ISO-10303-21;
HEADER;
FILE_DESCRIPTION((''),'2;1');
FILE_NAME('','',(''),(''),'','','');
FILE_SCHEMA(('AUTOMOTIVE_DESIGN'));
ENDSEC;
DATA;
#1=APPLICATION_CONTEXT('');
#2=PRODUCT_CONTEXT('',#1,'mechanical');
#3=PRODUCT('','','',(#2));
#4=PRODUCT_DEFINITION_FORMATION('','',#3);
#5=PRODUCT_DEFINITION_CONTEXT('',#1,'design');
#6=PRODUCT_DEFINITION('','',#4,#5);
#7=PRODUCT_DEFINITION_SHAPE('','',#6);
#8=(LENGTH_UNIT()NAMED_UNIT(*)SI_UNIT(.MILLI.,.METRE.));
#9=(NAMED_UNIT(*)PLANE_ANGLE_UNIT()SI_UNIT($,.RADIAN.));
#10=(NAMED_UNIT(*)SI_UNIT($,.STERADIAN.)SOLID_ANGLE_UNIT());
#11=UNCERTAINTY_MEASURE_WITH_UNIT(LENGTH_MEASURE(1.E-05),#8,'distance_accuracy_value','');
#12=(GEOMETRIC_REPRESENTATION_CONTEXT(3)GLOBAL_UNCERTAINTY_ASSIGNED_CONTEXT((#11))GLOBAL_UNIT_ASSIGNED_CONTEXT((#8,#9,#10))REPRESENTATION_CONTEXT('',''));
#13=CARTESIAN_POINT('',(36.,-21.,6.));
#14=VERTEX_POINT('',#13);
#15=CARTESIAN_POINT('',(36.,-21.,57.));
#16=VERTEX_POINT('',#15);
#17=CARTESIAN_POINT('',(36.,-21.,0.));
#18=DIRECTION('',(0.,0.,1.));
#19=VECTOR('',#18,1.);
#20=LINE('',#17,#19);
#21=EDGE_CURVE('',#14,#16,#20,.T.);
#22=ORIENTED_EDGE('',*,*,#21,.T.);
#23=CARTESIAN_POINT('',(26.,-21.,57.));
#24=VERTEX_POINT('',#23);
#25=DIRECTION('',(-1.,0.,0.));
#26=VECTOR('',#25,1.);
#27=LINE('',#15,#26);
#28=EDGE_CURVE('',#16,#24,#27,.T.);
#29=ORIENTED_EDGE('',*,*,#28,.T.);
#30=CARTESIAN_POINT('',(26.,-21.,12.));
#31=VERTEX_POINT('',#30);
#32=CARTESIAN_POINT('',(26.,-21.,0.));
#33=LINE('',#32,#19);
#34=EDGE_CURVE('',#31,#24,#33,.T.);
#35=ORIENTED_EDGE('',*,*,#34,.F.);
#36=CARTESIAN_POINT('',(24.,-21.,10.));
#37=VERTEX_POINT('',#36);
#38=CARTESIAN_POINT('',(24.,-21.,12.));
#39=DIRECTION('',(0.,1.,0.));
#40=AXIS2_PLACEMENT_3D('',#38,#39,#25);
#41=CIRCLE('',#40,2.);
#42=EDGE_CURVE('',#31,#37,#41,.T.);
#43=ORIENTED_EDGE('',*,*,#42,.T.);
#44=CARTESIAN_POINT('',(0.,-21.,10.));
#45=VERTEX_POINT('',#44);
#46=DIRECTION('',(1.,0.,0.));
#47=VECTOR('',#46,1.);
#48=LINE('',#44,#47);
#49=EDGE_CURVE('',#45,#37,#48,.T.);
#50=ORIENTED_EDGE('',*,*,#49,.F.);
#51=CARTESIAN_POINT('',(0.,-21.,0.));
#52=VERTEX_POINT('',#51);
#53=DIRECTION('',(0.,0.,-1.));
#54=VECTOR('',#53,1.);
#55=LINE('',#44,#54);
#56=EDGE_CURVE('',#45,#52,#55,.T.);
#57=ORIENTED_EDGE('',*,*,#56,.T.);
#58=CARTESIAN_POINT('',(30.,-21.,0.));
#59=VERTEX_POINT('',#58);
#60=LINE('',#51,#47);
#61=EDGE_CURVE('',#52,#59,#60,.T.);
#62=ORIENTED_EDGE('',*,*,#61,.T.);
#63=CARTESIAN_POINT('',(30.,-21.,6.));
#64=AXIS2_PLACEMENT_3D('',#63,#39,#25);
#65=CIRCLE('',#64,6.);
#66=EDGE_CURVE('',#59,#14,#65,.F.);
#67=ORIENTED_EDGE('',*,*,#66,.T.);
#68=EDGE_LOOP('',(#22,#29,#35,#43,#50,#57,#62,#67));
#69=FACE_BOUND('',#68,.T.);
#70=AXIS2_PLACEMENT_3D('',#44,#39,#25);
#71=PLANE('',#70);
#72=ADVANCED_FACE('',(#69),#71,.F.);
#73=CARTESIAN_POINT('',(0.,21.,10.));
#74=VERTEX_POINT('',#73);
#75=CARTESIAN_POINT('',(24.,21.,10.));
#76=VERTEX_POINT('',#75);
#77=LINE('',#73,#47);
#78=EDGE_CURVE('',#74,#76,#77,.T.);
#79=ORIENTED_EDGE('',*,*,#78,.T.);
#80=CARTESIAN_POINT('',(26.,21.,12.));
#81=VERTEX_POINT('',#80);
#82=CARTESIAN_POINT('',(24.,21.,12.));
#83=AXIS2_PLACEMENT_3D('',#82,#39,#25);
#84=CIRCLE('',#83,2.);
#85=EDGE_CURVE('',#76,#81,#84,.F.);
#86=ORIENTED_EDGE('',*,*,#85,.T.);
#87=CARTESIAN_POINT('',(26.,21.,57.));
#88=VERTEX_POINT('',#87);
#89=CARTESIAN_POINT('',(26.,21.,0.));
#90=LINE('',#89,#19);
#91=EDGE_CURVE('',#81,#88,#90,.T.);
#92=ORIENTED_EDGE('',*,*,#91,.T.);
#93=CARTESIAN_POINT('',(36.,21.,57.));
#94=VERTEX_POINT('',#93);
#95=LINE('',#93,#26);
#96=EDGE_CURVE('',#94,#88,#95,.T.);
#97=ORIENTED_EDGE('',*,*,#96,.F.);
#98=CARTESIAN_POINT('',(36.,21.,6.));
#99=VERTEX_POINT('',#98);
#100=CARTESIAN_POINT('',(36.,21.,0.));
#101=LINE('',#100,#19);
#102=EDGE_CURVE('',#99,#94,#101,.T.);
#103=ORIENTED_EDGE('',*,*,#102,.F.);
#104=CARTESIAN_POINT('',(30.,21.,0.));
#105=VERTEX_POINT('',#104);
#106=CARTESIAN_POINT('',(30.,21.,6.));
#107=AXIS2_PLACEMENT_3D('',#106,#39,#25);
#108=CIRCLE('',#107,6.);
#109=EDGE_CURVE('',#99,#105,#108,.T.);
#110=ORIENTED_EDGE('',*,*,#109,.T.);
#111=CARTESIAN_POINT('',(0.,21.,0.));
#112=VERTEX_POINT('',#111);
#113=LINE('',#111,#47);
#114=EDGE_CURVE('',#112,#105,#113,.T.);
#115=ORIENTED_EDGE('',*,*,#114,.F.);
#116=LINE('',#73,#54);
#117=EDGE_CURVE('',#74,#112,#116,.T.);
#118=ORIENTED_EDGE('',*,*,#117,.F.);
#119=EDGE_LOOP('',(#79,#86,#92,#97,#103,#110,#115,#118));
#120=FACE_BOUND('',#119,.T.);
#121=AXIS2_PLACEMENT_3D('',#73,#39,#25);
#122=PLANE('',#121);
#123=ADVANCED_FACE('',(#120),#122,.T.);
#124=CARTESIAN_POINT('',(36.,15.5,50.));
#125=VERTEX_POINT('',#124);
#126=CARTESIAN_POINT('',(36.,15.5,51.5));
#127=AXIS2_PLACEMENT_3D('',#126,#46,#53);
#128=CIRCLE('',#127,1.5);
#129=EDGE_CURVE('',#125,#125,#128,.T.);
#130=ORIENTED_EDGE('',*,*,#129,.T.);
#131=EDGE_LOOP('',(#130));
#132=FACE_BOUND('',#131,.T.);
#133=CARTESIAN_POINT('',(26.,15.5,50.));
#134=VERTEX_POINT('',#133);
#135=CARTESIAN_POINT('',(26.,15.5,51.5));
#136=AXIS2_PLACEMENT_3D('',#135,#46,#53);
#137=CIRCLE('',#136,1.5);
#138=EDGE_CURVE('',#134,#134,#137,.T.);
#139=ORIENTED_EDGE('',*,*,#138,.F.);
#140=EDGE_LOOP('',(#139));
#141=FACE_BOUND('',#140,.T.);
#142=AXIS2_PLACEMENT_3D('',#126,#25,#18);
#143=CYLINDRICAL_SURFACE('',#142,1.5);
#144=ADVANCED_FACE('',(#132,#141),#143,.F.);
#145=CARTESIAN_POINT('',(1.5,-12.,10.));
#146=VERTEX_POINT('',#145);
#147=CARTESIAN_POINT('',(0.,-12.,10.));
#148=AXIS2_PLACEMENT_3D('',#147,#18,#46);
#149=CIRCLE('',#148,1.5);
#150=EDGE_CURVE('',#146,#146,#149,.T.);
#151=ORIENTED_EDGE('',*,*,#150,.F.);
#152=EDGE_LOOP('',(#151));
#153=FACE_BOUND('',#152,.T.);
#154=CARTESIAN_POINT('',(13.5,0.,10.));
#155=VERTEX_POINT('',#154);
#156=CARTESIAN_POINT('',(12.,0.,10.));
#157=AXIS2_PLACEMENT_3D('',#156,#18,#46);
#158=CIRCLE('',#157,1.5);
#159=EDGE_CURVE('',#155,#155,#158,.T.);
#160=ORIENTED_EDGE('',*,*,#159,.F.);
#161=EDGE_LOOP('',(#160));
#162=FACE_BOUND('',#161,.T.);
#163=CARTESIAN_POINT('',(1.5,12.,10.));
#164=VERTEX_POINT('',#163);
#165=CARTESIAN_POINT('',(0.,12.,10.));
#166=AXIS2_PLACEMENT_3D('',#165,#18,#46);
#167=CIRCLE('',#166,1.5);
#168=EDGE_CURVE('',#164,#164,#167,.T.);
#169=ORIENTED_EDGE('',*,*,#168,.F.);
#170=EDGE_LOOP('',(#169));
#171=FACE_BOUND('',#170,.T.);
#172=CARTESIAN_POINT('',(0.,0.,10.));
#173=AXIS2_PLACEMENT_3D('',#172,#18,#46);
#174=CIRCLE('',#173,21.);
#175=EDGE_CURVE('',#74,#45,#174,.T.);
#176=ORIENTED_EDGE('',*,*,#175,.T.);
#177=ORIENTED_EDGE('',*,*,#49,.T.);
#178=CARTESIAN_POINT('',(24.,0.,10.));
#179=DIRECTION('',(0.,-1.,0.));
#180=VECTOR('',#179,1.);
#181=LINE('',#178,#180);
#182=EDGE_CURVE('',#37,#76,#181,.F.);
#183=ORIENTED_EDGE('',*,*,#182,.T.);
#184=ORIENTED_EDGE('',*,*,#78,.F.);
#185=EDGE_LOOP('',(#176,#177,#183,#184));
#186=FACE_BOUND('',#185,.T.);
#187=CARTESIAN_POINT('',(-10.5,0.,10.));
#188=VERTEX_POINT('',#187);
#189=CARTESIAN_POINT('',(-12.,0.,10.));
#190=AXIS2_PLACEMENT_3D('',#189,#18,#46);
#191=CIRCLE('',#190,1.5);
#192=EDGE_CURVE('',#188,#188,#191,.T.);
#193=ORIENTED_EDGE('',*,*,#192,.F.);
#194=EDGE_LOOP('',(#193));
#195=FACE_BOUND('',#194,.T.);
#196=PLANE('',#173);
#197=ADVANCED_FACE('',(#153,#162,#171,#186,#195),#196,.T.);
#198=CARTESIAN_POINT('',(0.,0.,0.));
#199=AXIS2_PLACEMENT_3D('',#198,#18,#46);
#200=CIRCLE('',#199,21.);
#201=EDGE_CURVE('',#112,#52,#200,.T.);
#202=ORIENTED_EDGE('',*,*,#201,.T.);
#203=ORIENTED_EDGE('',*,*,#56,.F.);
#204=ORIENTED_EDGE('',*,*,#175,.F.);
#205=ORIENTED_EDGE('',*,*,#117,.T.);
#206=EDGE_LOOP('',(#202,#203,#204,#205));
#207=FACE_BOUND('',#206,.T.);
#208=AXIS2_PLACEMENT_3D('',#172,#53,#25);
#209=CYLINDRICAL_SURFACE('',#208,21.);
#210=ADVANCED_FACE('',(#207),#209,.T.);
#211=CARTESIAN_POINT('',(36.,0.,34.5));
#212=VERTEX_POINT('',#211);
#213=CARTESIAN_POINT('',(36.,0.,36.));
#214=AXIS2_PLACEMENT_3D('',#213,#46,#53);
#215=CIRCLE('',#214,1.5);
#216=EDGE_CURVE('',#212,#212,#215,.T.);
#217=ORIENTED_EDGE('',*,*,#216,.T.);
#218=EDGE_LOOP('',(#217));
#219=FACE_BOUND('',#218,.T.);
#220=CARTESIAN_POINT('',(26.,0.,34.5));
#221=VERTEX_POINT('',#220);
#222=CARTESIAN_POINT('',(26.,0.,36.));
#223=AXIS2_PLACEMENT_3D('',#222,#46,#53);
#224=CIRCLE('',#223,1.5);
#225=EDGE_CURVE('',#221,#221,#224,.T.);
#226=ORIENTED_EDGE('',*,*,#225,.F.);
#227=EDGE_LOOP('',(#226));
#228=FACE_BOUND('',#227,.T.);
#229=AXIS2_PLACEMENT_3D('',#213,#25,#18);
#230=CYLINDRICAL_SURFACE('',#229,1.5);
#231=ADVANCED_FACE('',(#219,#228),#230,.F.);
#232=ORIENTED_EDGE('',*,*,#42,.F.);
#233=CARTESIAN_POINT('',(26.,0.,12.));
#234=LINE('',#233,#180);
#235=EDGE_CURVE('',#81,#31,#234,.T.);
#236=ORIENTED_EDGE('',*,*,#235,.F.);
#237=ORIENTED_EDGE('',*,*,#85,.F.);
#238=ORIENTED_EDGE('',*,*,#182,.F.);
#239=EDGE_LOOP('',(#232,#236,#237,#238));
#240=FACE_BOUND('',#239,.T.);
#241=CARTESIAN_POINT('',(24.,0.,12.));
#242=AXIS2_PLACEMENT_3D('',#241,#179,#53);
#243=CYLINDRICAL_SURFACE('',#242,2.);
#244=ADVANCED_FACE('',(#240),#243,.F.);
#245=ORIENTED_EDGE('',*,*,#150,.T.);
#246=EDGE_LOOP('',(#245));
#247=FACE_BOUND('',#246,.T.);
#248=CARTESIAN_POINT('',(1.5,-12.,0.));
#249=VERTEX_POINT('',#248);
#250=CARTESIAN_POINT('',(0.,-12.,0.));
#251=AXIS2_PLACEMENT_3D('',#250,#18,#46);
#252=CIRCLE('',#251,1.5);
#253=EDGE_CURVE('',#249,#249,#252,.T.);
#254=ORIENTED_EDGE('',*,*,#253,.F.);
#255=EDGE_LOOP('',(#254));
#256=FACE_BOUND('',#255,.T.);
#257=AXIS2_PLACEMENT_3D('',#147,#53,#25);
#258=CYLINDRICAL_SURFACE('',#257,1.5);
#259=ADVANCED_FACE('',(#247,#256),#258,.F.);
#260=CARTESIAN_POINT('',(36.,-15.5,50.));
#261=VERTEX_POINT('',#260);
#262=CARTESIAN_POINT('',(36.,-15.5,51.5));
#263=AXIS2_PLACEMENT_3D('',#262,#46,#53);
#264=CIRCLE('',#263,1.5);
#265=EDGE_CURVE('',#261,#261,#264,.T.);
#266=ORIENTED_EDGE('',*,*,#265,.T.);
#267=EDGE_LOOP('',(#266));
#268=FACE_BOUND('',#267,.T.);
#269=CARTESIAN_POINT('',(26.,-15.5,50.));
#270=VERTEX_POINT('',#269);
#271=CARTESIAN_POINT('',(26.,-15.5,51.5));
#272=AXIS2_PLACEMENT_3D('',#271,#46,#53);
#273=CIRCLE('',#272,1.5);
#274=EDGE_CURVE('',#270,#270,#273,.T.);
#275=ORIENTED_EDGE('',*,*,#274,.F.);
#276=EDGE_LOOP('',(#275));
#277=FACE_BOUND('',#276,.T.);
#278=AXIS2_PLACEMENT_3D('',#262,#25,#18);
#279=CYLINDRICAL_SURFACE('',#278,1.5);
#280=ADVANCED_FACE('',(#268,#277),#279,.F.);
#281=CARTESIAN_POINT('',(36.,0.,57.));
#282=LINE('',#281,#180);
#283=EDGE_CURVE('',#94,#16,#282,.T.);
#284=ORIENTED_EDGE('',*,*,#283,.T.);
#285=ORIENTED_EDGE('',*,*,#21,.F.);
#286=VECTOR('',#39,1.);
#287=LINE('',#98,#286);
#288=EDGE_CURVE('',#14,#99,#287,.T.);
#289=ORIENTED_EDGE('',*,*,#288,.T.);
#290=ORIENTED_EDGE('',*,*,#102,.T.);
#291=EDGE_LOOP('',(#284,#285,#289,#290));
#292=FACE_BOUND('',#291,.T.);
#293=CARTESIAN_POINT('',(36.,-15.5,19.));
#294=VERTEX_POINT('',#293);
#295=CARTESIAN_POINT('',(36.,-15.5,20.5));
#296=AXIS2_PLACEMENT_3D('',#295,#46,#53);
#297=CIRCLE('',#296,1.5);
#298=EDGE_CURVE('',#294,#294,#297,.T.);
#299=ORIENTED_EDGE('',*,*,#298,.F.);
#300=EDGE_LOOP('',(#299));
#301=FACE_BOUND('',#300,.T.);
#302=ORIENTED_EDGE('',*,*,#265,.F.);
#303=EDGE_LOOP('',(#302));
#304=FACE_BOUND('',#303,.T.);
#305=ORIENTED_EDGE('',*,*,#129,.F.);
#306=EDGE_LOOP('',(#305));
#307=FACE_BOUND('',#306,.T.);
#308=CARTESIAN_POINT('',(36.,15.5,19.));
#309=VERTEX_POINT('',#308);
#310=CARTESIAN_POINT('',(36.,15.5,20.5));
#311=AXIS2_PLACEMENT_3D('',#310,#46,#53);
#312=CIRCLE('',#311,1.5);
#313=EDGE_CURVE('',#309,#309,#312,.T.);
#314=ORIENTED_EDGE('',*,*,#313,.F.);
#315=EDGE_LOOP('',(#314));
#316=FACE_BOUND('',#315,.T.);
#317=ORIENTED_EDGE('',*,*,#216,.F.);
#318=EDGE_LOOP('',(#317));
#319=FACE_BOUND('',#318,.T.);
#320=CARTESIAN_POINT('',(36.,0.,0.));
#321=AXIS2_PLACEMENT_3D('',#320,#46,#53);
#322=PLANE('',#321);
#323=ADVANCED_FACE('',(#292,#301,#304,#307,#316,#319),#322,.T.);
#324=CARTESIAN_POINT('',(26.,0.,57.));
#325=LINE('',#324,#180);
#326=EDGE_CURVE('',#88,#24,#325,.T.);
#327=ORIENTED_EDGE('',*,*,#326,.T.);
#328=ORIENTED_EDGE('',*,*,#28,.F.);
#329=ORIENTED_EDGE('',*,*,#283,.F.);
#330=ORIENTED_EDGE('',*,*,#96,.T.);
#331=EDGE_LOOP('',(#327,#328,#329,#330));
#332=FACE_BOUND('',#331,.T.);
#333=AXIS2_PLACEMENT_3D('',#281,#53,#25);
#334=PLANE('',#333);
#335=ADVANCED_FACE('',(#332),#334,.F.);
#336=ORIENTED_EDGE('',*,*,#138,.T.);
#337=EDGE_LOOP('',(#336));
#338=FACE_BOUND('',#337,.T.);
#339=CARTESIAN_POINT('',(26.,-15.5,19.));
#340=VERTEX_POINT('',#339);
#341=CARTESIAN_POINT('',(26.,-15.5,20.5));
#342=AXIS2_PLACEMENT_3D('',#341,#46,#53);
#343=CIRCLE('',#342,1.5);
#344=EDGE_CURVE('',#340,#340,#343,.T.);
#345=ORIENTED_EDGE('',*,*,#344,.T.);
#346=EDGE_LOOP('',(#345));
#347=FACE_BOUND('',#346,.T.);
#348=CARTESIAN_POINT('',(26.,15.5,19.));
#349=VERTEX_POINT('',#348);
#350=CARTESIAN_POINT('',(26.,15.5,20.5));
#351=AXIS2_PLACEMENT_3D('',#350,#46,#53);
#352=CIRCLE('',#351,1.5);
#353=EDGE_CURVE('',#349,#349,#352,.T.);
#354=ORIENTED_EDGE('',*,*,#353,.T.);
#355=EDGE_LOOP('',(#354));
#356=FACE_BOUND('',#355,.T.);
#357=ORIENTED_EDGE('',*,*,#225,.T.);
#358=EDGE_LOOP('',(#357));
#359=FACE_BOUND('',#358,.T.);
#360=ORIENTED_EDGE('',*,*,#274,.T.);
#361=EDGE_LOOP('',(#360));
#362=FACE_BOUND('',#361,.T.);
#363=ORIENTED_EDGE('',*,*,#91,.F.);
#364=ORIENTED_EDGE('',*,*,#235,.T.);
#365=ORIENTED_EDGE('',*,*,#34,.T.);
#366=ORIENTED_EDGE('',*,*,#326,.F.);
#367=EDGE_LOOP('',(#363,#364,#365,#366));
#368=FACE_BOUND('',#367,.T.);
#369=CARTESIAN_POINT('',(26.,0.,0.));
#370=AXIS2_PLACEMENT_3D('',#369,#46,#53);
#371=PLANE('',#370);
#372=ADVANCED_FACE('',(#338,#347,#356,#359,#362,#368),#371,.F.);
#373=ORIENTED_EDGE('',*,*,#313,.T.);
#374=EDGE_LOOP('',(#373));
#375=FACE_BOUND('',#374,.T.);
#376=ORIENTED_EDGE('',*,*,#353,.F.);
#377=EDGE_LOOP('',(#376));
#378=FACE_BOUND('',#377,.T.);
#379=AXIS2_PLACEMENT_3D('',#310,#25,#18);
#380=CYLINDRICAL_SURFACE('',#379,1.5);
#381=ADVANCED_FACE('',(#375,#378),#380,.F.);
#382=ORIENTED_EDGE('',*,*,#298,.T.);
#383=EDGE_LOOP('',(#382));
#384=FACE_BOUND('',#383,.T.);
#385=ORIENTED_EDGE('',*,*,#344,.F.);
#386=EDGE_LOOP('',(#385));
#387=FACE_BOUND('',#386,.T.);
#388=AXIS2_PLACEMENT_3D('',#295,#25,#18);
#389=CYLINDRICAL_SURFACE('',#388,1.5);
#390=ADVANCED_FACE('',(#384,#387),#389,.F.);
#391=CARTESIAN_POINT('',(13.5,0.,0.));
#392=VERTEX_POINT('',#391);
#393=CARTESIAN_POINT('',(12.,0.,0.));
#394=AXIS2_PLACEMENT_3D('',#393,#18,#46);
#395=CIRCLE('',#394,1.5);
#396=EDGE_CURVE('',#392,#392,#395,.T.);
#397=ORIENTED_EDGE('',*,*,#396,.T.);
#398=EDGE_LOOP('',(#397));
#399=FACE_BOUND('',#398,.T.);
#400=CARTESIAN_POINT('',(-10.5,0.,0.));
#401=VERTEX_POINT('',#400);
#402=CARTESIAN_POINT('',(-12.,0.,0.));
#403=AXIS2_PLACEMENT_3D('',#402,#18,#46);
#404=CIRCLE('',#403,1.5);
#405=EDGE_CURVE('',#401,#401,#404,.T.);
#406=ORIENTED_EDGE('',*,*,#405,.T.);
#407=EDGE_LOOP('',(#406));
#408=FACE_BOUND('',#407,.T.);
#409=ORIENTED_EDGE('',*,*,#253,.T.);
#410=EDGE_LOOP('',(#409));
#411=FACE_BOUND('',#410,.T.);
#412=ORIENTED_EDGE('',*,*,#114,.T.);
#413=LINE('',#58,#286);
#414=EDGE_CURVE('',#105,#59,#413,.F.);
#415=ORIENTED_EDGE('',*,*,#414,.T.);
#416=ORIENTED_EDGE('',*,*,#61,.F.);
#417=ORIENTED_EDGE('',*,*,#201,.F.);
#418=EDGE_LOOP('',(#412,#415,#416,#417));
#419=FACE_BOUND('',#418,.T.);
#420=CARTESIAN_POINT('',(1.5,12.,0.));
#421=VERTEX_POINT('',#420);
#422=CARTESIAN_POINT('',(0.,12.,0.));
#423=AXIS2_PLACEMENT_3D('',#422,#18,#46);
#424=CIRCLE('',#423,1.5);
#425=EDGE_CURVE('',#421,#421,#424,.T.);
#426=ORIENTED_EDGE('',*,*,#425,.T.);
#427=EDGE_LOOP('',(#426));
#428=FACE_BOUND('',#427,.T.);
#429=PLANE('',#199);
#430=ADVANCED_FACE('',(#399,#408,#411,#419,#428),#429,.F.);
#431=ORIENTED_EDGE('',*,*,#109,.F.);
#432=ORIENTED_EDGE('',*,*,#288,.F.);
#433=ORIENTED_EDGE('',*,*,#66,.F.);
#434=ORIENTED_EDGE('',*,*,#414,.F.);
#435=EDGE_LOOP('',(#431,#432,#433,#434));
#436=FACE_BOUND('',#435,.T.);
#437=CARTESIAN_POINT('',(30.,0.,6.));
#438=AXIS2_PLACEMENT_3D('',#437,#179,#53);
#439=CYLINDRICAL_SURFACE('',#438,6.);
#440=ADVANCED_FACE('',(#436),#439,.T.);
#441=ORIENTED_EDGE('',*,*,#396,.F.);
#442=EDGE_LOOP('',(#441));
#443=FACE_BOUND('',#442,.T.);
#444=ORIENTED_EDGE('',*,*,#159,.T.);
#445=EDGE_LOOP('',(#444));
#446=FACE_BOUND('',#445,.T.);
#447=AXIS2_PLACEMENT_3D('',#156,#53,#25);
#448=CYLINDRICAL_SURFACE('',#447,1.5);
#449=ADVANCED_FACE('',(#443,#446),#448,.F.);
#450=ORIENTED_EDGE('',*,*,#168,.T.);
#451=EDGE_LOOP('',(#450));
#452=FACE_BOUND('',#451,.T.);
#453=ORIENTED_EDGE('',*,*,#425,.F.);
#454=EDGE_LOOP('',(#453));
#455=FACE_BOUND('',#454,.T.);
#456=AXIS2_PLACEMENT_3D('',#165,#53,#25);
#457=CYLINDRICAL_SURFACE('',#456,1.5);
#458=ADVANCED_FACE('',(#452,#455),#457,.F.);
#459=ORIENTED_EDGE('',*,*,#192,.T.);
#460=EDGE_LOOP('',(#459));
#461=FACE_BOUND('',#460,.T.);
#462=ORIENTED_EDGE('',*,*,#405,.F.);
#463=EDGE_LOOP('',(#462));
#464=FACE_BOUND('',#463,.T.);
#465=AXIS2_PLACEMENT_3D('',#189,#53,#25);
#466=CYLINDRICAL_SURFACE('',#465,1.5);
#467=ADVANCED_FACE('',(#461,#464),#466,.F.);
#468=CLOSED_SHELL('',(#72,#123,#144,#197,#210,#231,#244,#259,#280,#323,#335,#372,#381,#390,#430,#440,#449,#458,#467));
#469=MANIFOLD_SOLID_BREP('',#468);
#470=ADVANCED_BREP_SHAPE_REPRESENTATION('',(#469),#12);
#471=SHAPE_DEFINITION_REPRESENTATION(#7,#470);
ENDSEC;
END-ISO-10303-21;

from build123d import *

# Parameters (mm, degrees)
SKETCH_1_W      = 5
SKETCH_1_H      = 42
EXTRUDE_1_DEPTH = 10
SKETCH_2_W      = 57
SKETCH_2_H      = 42
SKETCH_2_R      = 1.5
EXTRUDE_2_DEPTH = 10
FILLET_1_R      = 2
FILLET_2_R      = 6


with BuildPart() as part:
    # 草图1 → 凸台-拉伸1 (new body)
    with BuildSketch(Plane.XY):
        with BuildLine():
            Line((0, 13.5), (0, 21))
            ThreePointArc((0, 21), (-21, 0), (0, -21))
            Line((0, -21), (0, -13.5))
            ThreePointArc((0, -13.5), (-1.09330348, -13.026979795), (-1.497067446, -11.90625))
            ThreePointArc((-1.497067446, -11.90625), (-8.485281374, -8.485281374), (-11.90625, -1.497067446))
            ThreePointArc((-11.90625, -1.497067446), (-13.5, 0), (-11.90625, 1.497067446))
            ThreePointArc((-11.90625, 1.497067446), (-8.485281374, 8.485281374), (-1.497067446, 11.90625))
            ThreePointArc((-1.497067446, 11.90625), (-1.09330348, 13.026979795), (0, 13.5))
        make_face()
        with BuildLine():
            ThreePointArc((21, 0), (14.849242405, 14.849242405), (0, 21))
            Line((0, 21), (0, 13.5))
            ThreePointArc((0, 13.5), (1.060660172, 13.060660172), (1.5, 12))
            ThreePointArc((1.5, 12), (1.499266682, 11.953102073), (1.497067446, 11.90625))
            ThreePointArc((1.497067446, 11.90625), (8.485281374, 8.485281374), (11.90625, 1.497067446))
            ThreePointArc((11.90625, 1.497067446), (13.026979795, 1.09330348), (13.5, 0))
            ThreePointArc((13.5, 0), (13.026979795, -1.09330348), (11.90625, -1.497067446))
            ThreePointArc((11.90625, -1.497067446), (8.485281374, -8.485281374), (1.497067446, -11.90625))
            ThreePointArc((1.497067446, -11.90625), (1.499266682, -11.953102073), (1.5, -12))
            ThreePointArc((1.5, -12), (1.060660172, -13.060660172), (0, -13.5))
            Line((0, -13.5), (0, -21))
            ThreePointArc((0, -21), (14.849242405, -14.849242405), (21, 0))
        make_face()
        with BuildLine():
            ThreePointArc((0, 10.5), (-1.026979795, 10.90669652), (-1.497067446, 11.90625))
            ThreePointArc((-1.497067446, 11.90625), (-8.485281374, 8.485281374), (-11.90625, 1.497067446))
            ThreePointArc((-11.90625, 1.497067446), (-10.90669652, 1.026979795), (-10.5, 0))
            ThreePointArc((-10.5, 0), (-10.90669652, -1.026979795), (-11.90625, -1.497067446))
            ThreePointArc((-11.90625, -1.497067446), (-8.485281374, -8.485281374), (-1.497067446, -11.90625))
            ThreePointArc((-1.497067446, -11.90625), (-1.026979795, -10.90669652), (0, -10.5))
            Line((0, -10.5), (0, 10.5))
        make_face()
        with BuildLine():
            ThreePointArc((1.497067446, 11.90625), (1.026979795, 10.90669652), (0, 10.5))
            Line((0, 10.5), (0, -10.5))
            ThreePointArc((0, -10.5), (1.026979795, -10.90669652), (1.497067446, -11.90625))
            ThreePointArc((1.497067446, -11.90625), (8.485281374, -8.485281374), (11.90625, -1.497067446))
            ThreePointArc((11.90625, -1.497067446), (10.5, 0), (11.90625, 1.497067446))
            ThreePointArc((11.90625, 1.497067446), (8.485281374, 8.485281374), (1.497067446, 11.90625))
        make_face()
        with BuildLine():
            Line((21, 21), (0, 21))
            ThreePointArc((0, 21), (14.849242405, 14.849242405), (21, 0))
            Line((21, 0), (21, 21))
        make_face()
        with Locations((23.5, 0)):
            Rectangle(SKETCH_1_W, SKETCH_1_H)
        Polygon((26, 21), (21, 21), (21, 0), (21, -21), (26, -21), align=None)
        with BuildLine():
            Line((21, -21), (21, 0))
            ThreePointArc((21, 0), (14.849242405, -14.849242405), (0, -21))
            Line((0, -21), (21, -21))
        make_face()
    extrude(amount=EXTRUDE_1_DEPTH)

    # 草图2 → 凸台-拉伸2 (add)
    with BuildSketch(Plane(origin=(26, 0, 0), x_dir=(0, 0, -1), z_dir=(1, 0, 0))):
        with Locations((-28.5, 0)):
            Rectangle(SKETCH_2_W, SKETCH_2_H)
        with Locations((-51.5, 15.5)):
            Circle(SKETCH_2_R, mode=Mode.SUBTRACT)
        with Locations((-36, 0)):
            Circle(SKETCH_2_R, mode=Mode.SUBTRACT)
        with Locations((-51.5, -15.5)):
            Circle(SKETCH_2_R, mode=Mode.SUBTRACT)
        with Locations((-20.5, -15.5)):
            Circle(SKETCH_2_R, mode=Mode.SUBTRACT)
        with Locations((-20.5, 15.5)):
            Circle(SKETCH_2_R, mode=Mode.SUBTRACT)
    extrude(amount=EXTRUDE_2_DEPTH)

    # 圆角1
    fillet_1_edges = [part.edges().sort_by_distance(p)[0] for p in [
        (26, 0, 10),
    ]]
    fillet(fillet_1_edges, radius=FILLET_1_R)

    # 圆角2
    fillet_2_edges = [part.edges().sort_by_distance(p)[0] for p in [
        (36, 0, 0),
    ]]
    fillet(fillet_2_edges, radius=FILLET_2_R)


solid = part.part
